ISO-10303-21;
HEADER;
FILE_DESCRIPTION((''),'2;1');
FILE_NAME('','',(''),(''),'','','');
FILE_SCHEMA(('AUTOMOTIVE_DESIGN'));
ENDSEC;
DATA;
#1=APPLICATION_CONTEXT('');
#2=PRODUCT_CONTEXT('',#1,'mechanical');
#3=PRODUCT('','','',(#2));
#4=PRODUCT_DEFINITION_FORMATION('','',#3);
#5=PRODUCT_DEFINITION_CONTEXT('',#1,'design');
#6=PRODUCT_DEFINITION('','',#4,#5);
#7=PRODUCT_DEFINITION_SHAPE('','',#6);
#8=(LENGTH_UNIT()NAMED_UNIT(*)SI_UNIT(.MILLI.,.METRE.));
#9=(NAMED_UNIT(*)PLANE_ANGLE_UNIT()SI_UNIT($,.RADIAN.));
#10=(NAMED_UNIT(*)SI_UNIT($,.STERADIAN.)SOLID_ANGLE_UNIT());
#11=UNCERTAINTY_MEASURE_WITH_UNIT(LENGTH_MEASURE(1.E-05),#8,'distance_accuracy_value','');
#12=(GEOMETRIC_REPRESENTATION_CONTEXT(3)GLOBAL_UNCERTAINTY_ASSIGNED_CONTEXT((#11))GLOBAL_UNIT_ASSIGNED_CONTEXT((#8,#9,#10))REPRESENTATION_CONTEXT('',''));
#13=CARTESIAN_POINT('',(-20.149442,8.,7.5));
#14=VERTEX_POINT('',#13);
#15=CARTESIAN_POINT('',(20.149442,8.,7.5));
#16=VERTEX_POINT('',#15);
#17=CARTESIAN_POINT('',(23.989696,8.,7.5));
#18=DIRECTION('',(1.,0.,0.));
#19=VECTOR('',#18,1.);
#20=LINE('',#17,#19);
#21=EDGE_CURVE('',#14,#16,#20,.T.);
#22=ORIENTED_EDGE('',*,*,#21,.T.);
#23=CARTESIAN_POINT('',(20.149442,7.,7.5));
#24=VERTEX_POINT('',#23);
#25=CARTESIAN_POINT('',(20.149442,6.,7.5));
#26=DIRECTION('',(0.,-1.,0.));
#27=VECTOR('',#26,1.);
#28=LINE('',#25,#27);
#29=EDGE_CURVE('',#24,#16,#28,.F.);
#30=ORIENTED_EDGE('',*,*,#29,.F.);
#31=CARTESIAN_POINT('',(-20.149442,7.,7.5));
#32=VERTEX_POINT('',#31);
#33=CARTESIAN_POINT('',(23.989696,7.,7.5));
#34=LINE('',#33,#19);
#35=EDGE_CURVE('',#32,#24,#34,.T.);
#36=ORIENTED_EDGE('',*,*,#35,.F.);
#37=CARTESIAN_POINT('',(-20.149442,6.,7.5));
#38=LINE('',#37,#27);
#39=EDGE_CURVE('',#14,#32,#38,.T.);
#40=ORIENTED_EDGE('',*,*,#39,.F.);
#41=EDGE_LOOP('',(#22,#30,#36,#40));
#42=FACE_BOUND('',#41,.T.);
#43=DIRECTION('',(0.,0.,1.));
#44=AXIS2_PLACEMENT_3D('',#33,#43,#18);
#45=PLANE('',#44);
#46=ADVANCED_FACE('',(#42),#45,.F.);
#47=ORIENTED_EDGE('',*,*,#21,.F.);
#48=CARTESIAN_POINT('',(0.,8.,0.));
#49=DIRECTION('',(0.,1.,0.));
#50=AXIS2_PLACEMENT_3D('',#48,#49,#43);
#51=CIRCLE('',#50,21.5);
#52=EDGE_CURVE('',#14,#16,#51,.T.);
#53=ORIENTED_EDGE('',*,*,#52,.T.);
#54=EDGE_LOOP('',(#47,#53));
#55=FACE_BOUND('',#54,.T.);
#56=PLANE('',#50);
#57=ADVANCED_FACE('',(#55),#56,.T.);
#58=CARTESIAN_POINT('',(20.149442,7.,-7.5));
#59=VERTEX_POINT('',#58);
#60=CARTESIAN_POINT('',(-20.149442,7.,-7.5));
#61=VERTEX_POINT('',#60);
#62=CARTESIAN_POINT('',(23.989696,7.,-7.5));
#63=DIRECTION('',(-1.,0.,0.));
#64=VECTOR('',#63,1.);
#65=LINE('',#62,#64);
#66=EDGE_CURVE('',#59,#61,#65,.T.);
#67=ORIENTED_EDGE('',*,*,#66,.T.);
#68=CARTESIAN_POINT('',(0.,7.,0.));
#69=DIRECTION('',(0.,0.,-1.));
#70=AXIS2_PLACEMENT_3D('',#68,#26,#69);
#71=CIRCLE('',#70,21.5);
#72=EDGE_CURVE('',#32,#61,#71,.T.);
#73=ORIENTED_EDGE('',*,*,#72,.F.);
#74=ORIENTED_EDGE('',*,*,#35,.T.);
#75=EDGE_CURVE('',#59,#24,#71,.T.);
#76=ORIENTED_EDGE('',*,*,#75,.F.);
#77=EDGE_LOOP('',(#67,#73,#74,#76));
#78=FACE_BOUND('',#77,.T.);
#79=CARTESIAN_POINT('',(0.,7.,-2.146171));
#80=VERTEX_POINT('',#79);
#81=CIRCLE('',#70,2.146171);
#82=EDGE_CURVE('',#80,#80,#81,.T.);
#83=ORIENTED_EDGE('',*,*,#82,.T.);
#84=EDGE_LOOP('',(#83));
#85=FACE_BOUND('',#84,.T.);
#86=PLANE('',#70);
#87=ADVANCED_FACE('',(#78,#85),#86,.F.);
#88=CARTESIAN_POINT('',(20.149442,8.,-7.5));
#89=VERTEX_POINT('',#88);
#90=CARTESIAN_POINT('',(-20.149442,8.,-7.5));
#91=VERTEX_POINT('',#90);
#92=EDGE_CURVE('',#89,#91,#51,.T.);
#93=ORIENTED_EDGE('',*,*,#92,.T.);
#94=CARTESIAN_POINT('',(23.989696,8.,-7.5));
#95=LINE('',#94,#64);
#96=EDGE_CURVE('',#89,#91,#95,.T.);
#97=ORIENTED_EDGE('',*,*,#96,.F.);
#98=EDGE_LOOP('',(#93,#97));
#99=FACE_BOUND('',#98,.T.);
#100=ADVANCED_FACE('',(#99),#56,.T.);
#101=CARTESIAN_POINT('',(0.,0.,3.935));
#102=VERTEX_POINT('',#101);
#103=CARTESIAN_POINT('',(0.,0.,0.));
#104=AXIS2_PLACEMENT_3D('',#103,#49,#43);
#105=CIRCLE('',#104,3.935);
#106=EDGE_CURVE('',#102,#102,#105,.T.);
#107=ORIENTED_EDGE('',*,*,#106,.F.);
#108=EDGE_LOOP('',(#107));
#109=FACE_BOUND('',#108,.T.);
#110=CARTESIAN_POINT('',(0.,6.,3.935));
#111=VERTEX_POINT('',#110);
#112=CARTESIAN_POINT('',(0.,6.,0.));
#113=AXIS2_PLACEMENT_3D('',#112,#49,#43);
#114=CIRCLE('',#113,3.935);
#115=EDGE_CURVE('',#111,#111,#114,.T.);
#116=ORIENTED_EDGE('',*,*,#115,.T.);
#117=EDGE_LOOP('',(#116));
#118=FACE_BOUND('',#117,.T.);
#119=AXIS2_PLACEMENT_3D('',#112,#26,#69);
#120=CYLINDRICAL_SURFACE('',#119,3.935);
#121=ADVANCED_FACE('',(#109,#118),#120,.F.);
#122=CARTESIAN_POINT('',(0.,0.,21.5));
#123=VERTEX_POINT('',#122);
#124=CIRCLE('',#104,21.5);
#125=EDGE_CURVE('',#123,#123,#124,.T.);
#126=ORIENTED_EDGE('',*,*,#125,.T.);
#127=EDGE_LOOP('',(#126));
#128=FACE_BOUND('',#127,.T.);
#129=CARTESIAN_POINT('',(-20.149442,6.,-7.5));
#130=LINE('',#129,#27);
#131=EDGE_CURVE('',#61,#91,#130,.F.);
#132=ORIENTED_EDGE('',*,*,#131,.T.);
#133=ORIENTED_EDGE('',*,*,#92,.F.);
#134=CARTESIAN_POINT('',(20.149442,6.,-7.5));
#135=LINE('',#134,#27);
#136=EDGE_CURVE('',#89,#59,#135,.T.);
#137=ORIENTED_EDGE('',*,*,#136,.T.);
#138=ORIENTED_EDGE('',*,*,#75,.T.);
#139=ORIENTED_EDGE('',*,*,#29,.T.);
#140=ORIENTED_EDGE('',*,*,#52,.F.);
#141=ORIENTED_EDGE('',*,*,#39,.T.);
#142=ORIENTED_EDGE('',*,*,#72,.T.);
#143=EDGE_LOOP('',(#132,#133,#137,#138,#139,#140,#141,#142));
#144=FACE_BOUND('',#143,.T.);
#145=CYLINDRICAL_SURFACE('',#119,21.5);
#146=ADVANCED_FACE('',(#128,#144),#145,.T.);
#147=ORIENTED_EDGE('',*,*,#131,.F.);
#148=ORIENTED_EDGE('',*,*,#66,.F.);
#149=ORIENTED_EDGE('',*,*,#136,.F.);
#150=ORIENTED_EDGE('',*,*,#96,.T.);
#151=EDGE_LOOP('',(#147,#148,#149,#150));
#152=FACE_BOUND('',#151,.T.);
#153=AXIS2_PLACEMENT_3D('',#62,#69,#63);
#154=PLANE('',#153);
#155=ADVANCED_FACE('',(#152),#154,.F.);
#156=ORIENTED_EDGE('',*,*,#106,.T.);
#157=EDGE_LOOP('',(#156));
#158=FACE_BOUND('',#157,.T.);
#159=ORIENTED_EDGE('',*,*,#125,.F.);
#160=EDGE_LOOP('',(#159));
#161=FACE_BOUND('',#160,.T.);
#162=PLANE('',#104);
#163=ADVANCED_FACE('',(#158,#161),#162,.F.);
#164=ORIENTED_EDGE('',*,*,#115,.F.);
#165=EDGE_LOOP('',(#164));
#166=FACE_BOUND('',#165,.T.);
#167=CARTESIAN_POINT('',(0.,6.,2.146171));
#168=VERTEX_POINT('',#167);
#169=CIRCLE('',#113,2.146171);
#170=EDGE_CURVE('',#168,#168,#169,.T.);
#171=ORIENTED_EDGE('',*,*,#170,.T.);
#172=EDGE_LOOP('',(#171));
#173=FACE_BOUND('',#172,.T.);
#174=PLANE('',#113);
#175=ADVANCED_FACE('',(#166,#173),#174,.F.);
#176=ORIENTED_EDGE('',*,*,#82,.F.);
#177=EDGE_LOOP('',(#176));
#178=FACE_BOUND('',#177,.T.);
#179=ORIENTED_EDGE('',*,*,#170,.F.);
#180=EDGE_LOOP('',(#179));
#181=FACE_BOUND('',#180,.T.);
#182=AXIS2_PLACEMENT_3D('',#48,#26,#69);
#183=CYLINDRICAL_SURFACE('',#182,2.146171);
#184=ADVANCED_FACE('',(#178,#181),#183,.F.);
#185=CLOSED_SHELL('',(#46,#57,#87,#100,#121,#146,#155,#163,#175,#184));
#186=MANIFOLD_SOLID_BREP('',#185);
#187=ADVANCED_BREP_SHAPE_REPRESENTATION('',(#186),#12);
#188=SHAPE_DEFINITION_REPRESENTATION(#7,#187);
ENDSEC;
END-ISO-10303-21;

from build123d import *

# Parameters (mm, degrees)
SKETCH1_R           = 21.5
SKETCH1_R_2         = 3.935
BOSS_EXTRUDE1_DEPTH = 6
SKETCH2_R           = 21.5
SKETCH2_R_2         = 2.146170777
BOSS_EXTRUDE2_DEPTH = 2
SKETCH3_W           = 47.979392496
SKETCH3_H           = 15
CUT_EXTRUDE1_DEPTH  = 1


with BuildPart() as part:
    # Sketch1 → Boss-Extrude1 (new body)
    with BuildSketch(Plane(origin=(0, 0, 0), x_dir=(1, 0, 0), z_dir=(0, 1, 0))):
        with Locations(Location((0, 0, 0), (0, 0, 270))):  # turned: the seam where the file's is
            Circle(SKETCH1_R)
        with Locations(Location((0, 0, 0), (0, 0, 270))):  # turned: the seam where the file's is
            Circle(SKETCH1_R_2, mode=Mode.SUBTRACT)
    extrude(amount=BOSS_EXTRUDE1_DEPTH)

    # Sketch2 → Boss-Extrude2 (add)
    with BuildSketch(Plane(origin=(0, 6, 0), x_dir=(1, 0, 0), z_dir=(0, 1, 0))):
        with Locations(Location((0, 0, 0), (0, 0, 270))):  # turned: the seam where the file's is
            Circle(SKETCH2_R)
        with Locations(Location((0, 0, 0), (0, 0, 270))):  # turned: the seam where the file's is
            Circle(SKETCH2_R_2, mode=Mode.SUBTRACT)
    extrude(amount=BOSS_EXTRUDE2_DEPTH)

    # Sketch3 → Cut-Extrude1 (cut)
    with BuildSketch(Plane(origin=(0, 8, 0), x_dir=(1, 0, 0), z_dir=(0, 1, 0))):
        Rectangle(SKETCH3_W, SKETCH3_H)
    extrude(amount=-CUT_EXTRUDE1_DEPTH, mode=Mode.SUBTRACT)


solid = part.part
